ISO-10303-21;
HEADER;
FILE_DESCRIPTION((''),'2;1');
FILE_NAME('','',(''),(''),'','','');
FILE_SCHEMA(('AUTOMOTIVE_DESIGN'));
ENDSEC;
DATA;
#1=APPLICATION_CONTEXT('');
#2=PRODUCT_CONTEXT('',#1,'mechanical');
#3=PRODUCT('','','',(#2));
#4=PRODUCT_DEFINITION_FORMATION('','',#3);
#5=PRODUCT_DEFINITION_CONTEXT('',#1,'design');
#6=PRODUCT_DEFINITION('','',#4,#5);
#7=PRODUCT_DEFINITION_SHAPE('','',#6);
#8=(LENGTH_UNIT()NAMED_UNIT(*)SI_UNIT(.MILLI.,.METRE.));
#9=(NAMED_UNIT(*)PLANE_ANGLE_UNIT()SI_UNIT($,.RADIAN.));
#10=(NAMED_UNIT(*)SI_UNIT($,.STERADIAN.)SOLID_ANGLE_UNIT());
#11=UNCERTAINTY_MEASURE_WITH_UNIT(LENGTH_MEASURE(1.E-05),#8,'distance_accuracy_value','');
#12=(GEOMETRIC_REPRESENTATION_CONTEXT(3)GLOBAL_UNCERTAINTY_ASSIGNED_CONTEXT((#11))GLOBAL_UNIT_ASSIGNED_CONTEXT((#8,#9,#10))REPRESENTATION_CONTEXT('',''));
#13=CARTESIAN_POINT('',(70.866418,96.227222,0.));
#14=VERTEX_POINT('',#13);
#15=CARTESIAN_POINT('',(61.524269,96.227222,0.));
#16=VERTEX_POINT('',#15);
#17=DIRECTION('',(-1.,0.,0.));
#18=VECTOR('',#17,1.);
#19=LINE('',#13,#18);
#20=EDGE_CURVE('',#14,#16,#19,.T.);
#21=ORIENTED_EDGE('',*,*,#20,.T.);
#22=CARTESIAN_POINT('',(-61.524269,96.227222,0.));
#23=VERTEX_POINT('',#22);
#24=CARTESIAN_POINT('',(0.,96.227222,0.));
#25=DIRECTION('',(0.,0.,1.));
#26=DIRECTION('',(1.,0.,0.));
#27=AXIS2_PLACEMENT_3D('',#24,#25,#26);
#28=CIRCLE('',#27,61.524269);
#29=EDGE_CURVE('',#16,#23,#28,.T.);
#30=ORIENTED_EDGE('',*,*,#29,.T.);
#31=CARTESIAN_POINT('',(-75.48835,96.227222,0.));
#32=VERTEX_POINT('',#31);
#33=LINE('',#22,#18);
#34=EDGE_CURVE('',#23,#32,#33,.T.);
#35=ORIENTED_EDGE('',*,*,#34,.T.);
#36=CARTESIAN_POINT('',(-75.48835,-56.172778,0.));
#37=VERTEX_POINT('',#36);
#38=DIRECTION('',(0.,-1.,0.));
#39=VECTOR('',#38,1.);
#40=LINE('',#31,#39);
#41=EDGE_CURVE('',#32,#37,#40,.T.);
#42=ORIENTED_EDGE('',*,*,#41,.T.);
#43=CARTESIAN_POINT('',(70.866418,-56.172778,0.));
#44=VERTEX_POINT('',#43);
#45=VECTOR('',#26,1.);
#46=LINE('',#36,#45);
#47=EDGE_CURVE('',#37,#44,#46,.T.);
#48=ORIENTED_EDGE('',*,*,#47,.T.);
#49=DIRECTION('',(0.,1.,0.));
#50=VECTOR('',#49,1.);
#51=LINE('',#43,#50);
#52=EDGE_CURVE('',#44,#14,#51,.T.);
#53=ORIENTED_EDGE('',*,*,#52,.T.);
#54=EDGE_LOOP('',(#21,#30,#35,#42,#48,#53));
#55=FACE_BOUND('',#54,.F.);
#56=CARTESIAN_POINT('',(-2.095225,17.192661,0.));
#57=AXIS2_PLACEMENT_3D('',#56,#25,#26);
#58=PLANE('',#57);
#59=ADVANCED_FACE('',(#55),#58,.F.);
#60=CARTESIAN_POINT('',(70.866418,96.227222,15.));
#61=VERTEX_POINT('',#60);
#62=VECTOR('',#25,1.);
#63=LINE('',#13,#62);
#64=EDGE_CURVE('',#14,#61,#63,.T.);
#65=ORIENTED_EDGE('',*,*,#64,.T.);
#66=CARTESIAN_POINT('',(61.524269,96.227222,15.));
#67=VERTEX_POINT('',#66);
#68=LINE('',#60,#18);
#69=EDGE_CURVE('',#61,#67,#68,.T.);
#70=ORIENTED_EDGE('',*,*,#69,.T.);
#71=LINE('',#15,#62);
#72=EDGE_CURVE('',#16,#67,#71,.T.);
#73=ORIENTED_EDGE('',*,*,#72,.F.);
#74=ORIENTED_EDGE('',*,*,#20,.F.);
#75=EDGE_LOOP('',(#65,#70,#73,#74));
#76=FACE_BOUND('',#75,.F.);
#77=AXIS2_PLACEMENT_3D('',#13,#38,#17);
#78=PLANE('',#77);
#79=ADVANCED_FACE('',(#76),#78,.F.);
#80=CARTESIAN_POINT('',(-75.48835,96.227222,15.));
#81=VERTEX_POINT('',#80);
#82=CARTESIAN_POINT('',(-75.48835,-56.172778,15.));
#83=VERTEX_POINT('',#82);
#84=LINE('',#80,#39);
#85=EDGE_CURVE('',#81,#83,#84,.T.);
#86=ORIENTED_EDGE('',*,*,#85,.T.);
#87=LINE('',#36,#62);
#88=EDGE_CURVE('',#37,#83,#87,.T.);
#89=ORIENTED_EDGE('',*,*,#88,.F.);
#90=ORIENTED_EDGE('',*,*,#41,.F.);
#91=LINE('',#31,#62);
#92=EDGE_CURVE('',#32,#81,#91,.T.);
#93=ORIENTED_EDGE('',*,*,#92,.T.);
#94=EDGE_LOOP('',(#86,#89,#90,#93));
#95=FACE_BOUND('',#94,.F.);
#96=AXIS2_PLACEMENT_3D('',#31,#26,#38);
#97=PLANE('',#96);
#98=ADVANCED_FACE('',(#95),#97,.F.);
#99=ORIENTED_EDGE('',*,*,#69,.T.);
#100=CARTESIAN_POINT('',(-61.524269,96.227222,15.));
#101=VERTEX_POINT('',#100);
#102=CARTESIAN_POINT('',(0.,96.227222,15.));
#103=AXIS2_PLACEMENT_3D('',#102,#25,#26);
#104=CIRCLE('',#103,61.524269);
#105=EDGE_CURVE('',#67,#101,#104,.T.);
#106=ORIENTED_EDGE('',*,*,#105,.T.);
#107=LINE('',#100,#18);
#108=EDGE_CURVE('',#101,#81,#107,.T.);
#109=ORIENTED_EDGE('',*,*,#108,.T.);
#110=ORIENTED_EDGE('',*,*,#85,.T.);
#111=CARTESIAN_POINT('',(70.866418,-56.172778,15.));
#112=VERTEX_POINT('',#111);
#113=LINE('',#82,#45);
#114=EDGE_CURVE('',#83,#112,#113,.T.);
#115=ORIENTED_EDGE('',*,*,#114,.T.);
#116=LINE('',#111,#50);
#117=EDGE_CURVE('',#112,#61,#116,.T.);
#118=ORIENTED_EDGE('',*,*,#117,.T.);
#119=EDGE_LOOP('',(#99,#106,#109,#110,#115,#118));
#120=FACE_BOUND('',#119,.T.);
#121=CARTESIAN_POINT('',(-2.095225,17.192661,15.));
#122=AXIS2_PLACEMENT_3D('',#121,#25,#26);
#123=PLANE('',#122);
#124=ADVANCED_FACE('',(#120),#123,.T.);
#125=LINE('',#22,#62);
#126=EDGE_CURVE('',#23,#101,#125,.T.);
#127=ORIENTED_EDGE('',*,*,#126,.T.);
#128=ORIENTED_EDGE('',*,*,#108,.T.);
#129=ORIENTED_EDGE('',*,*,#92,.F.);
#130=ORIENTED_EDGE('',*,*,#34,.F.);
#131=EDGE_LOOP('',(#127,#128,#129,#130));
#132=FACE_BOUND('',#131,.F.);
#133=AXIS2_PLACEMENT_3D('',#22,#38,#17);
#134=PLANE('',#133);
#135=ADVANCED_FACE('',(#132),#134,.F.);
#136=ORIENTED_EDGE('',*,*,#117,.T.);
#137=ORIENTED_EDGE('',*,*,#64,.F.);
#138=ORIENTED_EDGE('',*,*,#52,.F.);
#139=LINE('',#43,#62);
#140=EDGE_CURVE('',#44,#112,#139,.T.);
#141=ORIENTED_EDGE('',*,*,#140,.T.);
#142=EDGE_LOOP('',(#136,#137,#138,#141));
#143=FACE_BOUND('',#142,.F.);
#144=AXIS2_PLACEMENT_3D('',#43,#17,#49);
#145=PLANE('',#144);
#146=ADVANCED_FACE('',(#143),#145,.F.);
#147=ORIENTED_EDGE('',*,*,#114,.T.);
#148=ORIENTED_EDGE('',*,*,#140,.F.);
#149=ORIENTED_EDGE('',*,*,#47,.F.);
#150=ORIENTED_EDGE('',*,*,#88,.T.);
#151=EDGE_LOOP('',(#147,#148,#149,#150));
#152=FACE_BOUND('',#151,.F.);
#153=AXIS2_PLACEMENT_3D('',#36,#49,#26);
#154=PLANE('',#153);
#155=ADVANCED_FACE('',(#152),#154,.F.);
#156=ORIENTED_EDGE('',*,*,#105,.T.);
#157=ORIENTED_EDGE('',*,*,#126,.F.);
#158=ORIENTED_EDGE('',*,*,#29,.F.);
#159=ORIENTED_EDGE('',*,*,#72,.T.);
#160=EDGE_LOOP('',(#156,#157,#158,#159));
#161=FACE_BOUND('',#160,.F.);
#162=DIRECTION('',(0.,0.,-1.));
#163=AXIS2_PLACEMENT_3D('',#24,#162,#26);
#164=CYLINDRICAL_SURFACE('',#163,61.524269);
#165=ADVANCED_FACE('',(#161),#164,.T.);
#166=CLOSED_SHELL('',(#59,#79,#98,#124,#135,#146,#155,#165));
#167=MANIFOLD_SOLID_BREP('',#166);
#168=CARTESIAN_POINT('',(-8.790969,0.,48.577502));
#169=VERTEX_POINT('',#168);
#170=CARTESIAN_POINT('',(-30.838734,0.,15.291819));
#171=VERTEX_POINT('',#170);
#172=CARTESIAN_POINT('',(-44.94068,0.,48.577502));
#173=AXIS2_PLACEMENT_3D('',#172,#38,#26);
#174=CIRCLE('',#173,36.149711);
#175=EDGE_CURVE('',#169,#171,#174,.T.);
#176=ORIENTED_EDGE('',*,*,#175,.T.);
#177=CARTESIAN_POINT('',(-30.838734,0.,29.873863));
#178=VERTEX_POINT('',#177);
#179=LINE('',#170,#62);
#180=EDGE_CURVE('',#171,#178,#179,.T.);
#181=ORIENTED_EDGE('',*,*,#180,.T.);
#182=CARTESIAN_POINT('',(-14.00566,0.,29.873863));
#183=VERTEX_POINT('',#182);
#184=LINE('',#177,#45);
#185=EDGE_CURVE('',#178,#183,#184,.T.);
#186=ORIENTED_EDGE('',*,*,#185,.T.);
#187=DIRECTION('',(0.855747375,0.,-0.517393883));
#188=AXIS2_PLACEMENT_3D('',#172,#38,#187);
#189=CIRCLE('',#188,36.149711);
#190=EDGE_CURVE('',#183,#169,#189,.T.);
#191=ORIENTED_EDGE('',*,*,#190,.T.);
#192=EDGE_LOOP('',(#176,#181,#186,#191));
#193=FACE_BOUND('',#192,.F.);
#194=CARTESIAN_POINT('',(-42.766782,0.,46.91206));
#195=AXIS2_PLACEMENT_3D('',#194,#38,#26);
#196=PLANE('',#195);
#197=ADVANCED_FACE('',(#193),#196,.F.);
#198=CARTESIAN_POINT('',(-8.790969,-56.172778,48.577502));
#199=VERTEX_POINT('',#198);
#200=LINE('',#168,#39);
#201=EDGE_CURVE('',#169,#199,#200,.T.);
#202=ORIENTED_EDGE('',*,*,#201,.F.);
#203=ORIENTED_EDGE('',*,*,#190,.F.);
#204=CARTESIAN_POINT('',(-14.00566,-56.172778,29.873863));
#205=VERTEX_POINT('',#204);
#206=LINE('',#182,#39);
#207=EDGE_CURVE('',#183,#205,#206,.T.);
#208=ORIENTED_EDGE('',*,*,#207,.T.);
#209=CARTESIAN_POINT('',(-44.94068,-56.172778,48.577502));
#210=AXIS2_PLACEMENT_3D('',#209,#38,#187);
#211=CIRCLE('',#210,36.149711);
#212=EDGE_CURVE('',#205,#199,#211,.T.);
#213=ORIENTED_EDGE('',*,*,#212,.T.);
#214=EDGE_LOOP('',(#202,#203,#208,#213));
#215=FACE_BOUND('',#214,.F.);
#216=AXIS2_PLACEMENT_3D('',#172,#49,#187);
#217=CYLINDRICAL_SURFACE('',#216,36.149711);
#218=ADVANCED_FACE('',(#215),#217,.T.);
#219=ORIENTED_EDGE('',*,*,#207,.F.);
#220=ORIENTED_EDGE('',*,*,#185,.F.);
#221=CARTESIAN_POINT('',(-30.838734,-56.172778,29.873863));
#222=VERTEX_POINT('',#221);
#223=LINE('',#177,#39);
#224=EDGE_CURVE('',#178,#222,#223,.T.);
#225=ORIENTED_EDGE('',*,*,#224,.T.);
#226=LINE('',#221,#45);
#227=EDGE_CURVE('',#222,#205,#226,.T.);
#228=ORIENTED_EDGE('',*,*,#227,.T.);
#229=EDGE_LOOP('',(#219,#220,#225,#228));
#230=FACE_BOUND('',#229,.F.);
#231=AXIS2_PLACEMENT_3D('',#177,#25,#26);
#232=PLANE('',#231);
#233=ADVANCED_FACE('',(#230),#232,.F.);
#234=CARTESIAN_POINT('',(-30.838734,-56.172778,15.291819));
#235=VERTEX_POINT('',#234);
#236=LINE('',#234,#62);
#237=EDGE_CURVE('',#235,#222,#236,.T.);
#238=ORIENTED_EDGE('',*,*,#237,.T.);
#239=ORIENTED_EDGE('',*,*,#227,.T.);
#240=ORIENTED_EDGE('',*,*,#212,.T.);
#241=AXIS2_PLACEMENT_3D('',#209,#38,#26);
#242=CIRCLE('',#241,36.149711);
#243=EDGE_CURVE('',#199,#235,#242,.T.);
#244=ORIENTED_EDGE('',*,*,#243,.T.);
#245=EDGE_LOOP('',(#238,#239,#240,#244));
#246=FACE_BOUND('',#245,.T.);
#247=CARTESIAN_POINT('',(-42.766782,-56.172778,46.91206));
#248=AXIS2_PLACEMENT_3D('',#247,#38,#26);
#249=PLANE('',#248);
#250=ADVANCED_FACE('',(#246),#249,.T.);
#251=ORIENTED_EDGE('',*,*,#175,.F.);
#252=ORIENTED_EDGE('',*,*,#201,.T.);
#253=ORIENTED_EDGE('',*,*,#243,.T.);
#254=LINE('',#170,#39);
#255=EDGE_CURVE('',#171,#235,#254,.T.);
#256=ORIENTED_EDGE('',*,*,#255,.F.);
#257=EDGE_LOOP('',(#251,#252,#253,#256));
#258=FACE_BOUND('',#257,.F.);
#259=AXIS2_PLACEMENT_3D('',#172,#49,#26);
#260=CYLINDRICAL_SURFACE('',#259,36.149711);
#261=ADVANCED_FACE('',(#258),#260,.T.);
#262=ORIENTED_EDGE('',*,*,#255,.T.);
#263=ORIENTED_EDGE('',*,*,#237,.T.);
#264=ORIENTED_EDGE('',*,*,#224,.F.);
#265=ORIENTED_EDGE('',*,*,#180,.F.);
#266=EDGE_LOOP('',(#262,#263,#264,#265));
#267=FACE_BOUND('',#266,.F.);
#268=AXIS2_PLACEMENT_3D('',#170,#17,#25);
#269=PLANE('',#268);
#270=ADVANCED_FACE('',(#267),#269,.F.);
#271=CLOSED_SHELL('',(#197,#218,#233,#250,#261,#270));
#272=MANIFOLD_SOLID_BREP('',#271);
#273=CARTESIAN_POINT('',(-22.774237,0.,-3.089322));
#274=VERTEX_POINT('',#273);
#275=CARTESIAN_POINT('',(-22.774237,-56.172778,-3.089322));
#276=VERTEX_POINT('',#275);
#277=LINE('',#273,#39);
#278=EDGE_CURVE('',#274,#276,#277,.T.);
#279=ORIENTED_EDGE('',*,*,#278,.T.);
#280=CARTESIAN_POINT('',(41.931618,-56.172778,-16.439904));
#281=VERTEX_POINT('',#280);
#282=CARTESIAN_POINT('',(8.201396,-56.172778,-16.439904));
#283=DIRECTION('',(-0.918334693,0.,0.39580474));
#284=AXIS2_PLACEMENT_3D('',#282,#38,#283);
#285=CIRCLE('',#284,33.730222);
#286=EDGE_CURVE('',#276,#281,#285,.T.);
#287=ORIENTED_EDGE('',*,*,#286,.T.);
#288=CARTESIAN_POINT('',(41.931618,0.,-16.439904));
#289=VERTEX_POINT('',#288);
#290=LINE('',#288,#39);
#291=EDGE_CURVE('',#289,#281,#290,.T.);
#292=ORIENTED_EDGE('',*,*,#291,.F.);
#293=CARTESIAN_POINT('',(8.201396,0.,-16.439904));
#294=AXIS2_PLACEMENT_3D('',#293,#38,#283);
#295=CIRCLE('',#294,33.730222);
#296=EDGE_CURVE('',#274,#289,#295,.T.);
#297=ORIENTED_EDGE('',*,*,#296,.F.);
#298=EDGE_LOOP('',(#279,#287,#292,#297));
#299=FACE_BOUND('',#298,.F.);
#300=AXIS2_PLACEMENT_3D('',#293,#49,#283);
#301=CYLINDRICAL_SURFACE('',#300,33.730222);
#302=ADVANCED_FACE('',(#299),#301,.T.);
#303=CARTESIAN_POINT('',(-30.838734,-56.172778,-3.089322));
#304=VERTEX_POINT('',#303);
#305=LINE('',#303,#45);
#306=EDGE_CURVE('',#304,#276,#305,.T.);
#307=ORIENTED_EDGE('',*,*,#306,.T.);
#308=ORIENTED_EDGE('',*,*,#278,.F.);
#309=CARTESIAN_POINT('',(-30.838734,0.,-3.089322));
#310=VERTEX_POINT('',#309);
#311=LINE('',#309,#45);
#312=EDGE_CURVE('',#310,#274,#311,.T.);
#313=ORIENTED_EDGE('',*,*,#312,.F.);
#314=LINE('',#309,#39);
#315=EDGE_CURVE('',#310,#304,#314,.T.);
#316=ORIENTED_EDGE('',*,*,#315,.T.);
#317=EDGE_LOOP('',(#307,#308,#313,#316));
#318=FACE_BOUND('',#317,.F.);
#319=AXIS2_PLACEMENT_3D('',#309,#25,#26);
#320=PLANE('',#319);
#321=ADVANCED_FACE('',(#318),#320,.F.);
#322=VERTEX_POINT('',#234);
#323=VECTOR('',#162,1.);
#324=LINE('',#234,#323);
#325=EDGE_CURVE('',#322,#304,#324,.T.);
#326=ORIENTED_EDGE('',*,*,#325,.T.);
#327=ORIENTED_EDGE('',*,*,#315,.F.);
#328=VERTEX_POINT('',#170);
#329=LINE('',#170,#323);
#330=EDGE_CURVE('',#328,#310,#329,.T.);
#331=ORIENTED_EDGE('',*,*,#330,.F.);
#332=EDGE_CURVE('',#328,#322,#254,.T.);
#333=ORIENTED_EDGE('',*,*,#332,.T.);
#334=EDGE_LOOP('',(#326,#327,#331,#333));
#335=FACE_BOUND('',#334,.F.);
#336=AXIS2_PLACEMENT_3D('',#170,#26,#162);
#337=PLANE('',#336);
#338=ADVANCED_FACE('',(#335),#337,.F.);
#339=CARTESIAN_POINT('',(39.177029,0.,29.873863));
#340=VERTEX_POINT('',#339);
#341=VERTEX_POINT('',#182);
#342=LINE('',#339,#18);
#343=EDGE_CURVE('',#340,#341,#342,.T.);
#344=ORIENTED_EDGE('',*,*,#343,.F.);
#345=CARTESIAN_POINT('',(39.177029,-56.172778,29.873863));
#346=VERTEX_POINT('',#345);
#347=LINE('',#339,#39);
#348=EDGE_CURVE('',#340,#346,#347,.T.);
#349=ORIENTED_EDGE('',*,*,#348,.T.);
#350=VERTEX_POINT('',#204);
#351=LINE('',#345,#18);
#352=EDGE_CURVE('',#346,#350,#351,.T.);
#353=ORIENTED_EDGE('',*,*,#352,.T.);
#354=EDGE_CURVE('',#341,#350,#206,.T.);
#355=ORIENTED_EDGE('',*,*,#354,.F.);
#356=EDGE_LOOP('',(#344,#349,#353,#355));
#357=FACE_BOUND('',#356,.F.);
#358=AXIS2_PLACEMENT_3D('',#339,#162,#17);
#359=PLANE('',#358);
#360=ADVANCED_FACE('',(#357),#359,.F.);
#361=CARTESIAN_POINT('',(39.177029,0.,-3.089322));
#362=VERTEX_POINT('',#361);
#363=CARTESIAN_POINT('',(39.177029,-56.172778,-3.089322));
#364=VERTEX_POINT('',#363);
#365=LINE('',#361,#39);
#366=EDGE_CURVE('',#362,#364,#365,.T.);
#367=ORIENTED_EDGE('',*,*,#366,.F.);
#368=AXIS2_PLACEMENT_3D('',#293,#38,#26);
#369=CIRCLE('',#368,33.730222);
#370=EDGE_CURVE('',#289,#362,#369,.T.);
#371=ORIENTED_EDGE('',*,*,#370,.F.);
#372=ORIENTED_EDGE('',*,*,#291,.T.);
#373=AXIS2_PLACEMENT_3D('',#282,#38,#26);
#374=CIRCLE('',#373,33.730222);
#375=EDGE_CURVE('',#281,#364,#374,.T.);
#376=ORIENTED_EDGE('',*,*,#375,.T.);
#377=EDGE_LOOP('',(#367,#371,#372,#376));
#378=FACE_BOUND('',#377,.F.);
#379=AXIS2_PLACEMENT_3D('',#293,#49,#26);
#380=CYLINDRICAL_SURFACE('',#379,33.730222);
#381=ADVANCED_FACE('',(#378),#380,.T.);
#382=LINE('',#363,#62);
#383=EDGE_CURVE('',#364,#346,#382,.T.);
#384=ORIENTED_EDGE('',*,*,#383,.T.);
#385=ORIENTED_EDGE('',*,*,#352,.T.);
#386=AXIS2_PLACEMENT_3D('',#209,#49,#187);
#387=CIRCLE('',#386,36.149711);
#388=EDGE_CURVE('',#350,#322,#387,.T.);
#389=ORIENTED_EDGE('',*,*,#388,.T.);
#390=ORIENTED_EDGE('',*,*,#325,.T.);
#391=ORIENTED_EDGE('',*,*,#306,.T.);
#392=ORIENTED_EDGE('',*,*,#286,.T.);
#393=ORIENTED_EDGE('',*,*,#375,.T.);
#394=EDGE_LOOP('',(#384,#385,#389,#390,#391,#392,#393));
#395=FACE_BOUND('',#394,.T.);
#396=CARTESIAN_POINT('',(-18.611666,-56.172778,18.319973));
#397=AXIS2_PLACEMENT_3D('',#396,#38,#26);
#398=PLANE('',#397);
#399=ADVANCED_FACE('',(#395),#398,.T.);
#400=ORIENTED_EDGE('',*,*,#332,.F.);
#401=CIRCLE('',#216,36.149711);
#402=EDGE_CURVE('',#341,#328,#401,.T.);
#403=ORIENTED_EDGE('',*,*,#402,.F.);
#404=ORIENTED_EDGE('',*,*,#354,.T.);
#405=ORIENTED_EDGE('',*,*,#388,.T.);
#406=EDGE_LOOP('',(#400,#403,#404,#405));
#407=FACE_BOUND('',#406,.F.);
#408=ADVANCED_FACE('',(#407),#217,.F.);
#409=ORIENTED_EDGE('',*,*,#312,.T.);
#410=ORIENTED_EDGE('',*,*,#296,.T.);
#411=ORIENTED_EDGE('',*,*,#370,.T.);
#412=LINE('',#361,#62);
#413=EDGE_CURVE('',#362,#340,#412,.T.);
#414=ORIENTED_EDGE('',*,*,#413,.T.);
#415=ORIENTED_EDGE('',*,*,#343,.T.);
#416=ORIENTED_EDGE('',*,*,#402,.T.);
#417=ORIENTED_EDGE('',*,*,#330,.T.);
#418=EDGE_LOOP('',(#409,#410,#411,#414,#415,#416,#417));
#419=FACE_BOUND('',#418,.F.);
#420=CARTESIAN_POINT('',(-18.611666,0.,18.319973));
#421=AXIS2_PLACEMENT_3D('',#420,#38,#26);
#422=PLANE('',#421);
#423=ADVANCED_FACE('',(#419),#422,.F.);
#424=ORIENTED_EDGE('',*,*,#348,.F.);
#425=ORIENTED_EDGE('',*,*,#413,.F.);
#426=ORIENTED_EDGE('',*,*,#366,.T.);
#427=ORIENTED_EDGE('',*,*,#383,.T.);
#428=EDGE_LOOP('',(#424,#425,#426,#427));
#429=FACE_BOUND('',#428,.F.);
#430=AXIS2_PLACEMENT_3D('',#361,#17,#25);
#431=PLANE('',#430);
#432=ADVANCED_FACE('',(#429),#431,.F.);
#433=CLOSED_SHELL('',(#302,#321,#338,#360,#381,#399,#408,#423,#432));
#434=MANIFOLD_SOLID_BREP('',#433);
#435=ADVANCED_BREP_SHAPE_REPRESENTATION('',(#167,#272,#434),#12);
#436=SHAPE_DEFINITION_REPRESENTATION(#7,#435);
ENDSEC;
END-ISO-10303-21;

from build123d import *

# Parameters (mm, degrees)
F1_DEPTH = 15
F3_DEPTH = 56.1727784541


with BuildPart() as f1:
    # F0 (on Top) → F1 (new body)
    with BuildSketch(Plane.XY):
        with BuildLine():
            Line((-75.4883495437, -56.1727784541), (70.8664176497, -56.1727784541))
            Line((70.8664176497, -56.1727784541), (70.8664176497, 96.2272215459))
            Line((70.8664176497, 96.2272215459), (61.5242693467, 96.2272215459))
            ThreePointArc((61.5242693467, 96.2272215459), (0, 34.7029521991), (-61.5242693467, 96.2272215459))
            Line((-61.5242693467, 96.2272215459), (-75.4883495437, 96.2272215459))
            Line((-75.4883495437, 96.2272215459), (-75.4883495437, -56.1727784541))
        make_face()
        with BuildLine():
            Line((-61.5242693467, 96.2272215459), (61.5242693467, 96.2272215459))
            ThreePointArc((61.5242693467, 96.2272215459), (0, 157.7514908926), (-61.5242693467, 96.2272215459))
        make_face()
        with BuildLine():
            ThreePointArc((-61.5242693467, 96.2272215459), (0, 34.7029521991), (61.5242693467, 96.2272215459))
            Line((61.5242693467, 96.2272215459), (-61.5242693467, 96.2272215459))
        make_face()
    extrude(amount=F1_DEPTH)


with BuildPart() as f3:
    # F2 (on Front) → F3 (new body, through all)
    with BuildSketch(Plane.XZ):
        with BuildLine():
            ThreePointArc((-14.0056596662, 29.8738628626), (-10.1190368852, 38.8690121373), (-8.7909689209, 48.5775023699))
            ThreePointArc((-8.7909689209, 48.5775023699), (-75.0785545588, 68.5402217079), (-30.838733539, 15.2918188285))
            Line((-30.838733539, 15.2918188285), (-30.838733539, 29.8738628626))
            Line((-30.838733539, 29.8738628626), (-14.0056596662, 29.8738628626))
        make_face()
    extrude(amount=F3_DEPTH)


with BuildPart() as f3b:
    # F2 (on Front) → F3, piece 2 (new body, through all)
    with BuildSketch(Plane.XZ):
        with BuildLine():
            ThreePointArc((-14.0056596662, 29.8738628626), (-21.2712673338, 21.2542426491), (-30.838733539, 15.2918188285))
            Line((-30.838733539, 15.2918188285), (-30.838733539, 11.3956918838))
            Line((-30.838733539, 11.3956918838), (-10.8487344489, 11.3956918838))
            Line((-10.8487344489, 11.3956918838), (-10.8487344489, 29.8738628626))
            Line((-10.8487344489, 29.8738628626), (-14.0056596662, 29.8738628626))
        make_face()
        with BuildLine():
            Line((39.17702873, 29.8738628626), (-10.8487344489, 29.8738628626))
            Line((-10.8487344489, 29.8738628626), (-10.8487344489, 11.3956918838))
            ThreePointArc((-10.8487344489, 11.3956918838), (17.5826703425, 15.9594720685), (39.17702873, -3.0893219567))
            Line((39.17702873, -3.0893219567), (39.17702873, 29.8738628626))
        make_face()
        with BuildLine():
            Line((-10.8487344489, 11.3956918838), (-30.838733539, 11.3956918838))
            Line((-30.838733539, 11.3956918838), (-30.838733539, -3.0893219567))
            Line((-30.838733539, -3.0893219567), (-22.7742365445, -3.0893219567))
            ThreePointArc((-22.7742365445, -3.0893219567), (-17.8389217221, 4.9990725128), (-10.8487344489, 11.3956918838))
        make_face()
        with BuildLine():
            Line((39.17702873, -3.0893219567), (-22.7742365445, -3.0893219567))
            ThreePointArc((-22.7742365445, -3.0893219567), (1.3854994471, -49.4743007291), (41.931617639, -16.4399035275))
            ThreePointArc((41.931617639, -16.4399035275), (41.2357932944, -9.6240068819), (39.17702873, -3.0893219567))
        make_face()
        with BuildLine():
            ThreePointArc((39.17702873, -3.0893219567), (17.5826703425, 15.9594720685), (-10.8487344489, 11.3956918838))
            ThreePointArc((-10.8487344489, 11.3956918838), (-17.8389217221, 4.9990725128), (-22.7742365445, -3.0893219567))
            Line((-22.7742365445, -3.0893219567), (39.17702873, -3.0893219567))
        make_face()
    extrude(amount=F3_DEPTH)


solid = Compound([f1.part, f3.part, f3b.part])
